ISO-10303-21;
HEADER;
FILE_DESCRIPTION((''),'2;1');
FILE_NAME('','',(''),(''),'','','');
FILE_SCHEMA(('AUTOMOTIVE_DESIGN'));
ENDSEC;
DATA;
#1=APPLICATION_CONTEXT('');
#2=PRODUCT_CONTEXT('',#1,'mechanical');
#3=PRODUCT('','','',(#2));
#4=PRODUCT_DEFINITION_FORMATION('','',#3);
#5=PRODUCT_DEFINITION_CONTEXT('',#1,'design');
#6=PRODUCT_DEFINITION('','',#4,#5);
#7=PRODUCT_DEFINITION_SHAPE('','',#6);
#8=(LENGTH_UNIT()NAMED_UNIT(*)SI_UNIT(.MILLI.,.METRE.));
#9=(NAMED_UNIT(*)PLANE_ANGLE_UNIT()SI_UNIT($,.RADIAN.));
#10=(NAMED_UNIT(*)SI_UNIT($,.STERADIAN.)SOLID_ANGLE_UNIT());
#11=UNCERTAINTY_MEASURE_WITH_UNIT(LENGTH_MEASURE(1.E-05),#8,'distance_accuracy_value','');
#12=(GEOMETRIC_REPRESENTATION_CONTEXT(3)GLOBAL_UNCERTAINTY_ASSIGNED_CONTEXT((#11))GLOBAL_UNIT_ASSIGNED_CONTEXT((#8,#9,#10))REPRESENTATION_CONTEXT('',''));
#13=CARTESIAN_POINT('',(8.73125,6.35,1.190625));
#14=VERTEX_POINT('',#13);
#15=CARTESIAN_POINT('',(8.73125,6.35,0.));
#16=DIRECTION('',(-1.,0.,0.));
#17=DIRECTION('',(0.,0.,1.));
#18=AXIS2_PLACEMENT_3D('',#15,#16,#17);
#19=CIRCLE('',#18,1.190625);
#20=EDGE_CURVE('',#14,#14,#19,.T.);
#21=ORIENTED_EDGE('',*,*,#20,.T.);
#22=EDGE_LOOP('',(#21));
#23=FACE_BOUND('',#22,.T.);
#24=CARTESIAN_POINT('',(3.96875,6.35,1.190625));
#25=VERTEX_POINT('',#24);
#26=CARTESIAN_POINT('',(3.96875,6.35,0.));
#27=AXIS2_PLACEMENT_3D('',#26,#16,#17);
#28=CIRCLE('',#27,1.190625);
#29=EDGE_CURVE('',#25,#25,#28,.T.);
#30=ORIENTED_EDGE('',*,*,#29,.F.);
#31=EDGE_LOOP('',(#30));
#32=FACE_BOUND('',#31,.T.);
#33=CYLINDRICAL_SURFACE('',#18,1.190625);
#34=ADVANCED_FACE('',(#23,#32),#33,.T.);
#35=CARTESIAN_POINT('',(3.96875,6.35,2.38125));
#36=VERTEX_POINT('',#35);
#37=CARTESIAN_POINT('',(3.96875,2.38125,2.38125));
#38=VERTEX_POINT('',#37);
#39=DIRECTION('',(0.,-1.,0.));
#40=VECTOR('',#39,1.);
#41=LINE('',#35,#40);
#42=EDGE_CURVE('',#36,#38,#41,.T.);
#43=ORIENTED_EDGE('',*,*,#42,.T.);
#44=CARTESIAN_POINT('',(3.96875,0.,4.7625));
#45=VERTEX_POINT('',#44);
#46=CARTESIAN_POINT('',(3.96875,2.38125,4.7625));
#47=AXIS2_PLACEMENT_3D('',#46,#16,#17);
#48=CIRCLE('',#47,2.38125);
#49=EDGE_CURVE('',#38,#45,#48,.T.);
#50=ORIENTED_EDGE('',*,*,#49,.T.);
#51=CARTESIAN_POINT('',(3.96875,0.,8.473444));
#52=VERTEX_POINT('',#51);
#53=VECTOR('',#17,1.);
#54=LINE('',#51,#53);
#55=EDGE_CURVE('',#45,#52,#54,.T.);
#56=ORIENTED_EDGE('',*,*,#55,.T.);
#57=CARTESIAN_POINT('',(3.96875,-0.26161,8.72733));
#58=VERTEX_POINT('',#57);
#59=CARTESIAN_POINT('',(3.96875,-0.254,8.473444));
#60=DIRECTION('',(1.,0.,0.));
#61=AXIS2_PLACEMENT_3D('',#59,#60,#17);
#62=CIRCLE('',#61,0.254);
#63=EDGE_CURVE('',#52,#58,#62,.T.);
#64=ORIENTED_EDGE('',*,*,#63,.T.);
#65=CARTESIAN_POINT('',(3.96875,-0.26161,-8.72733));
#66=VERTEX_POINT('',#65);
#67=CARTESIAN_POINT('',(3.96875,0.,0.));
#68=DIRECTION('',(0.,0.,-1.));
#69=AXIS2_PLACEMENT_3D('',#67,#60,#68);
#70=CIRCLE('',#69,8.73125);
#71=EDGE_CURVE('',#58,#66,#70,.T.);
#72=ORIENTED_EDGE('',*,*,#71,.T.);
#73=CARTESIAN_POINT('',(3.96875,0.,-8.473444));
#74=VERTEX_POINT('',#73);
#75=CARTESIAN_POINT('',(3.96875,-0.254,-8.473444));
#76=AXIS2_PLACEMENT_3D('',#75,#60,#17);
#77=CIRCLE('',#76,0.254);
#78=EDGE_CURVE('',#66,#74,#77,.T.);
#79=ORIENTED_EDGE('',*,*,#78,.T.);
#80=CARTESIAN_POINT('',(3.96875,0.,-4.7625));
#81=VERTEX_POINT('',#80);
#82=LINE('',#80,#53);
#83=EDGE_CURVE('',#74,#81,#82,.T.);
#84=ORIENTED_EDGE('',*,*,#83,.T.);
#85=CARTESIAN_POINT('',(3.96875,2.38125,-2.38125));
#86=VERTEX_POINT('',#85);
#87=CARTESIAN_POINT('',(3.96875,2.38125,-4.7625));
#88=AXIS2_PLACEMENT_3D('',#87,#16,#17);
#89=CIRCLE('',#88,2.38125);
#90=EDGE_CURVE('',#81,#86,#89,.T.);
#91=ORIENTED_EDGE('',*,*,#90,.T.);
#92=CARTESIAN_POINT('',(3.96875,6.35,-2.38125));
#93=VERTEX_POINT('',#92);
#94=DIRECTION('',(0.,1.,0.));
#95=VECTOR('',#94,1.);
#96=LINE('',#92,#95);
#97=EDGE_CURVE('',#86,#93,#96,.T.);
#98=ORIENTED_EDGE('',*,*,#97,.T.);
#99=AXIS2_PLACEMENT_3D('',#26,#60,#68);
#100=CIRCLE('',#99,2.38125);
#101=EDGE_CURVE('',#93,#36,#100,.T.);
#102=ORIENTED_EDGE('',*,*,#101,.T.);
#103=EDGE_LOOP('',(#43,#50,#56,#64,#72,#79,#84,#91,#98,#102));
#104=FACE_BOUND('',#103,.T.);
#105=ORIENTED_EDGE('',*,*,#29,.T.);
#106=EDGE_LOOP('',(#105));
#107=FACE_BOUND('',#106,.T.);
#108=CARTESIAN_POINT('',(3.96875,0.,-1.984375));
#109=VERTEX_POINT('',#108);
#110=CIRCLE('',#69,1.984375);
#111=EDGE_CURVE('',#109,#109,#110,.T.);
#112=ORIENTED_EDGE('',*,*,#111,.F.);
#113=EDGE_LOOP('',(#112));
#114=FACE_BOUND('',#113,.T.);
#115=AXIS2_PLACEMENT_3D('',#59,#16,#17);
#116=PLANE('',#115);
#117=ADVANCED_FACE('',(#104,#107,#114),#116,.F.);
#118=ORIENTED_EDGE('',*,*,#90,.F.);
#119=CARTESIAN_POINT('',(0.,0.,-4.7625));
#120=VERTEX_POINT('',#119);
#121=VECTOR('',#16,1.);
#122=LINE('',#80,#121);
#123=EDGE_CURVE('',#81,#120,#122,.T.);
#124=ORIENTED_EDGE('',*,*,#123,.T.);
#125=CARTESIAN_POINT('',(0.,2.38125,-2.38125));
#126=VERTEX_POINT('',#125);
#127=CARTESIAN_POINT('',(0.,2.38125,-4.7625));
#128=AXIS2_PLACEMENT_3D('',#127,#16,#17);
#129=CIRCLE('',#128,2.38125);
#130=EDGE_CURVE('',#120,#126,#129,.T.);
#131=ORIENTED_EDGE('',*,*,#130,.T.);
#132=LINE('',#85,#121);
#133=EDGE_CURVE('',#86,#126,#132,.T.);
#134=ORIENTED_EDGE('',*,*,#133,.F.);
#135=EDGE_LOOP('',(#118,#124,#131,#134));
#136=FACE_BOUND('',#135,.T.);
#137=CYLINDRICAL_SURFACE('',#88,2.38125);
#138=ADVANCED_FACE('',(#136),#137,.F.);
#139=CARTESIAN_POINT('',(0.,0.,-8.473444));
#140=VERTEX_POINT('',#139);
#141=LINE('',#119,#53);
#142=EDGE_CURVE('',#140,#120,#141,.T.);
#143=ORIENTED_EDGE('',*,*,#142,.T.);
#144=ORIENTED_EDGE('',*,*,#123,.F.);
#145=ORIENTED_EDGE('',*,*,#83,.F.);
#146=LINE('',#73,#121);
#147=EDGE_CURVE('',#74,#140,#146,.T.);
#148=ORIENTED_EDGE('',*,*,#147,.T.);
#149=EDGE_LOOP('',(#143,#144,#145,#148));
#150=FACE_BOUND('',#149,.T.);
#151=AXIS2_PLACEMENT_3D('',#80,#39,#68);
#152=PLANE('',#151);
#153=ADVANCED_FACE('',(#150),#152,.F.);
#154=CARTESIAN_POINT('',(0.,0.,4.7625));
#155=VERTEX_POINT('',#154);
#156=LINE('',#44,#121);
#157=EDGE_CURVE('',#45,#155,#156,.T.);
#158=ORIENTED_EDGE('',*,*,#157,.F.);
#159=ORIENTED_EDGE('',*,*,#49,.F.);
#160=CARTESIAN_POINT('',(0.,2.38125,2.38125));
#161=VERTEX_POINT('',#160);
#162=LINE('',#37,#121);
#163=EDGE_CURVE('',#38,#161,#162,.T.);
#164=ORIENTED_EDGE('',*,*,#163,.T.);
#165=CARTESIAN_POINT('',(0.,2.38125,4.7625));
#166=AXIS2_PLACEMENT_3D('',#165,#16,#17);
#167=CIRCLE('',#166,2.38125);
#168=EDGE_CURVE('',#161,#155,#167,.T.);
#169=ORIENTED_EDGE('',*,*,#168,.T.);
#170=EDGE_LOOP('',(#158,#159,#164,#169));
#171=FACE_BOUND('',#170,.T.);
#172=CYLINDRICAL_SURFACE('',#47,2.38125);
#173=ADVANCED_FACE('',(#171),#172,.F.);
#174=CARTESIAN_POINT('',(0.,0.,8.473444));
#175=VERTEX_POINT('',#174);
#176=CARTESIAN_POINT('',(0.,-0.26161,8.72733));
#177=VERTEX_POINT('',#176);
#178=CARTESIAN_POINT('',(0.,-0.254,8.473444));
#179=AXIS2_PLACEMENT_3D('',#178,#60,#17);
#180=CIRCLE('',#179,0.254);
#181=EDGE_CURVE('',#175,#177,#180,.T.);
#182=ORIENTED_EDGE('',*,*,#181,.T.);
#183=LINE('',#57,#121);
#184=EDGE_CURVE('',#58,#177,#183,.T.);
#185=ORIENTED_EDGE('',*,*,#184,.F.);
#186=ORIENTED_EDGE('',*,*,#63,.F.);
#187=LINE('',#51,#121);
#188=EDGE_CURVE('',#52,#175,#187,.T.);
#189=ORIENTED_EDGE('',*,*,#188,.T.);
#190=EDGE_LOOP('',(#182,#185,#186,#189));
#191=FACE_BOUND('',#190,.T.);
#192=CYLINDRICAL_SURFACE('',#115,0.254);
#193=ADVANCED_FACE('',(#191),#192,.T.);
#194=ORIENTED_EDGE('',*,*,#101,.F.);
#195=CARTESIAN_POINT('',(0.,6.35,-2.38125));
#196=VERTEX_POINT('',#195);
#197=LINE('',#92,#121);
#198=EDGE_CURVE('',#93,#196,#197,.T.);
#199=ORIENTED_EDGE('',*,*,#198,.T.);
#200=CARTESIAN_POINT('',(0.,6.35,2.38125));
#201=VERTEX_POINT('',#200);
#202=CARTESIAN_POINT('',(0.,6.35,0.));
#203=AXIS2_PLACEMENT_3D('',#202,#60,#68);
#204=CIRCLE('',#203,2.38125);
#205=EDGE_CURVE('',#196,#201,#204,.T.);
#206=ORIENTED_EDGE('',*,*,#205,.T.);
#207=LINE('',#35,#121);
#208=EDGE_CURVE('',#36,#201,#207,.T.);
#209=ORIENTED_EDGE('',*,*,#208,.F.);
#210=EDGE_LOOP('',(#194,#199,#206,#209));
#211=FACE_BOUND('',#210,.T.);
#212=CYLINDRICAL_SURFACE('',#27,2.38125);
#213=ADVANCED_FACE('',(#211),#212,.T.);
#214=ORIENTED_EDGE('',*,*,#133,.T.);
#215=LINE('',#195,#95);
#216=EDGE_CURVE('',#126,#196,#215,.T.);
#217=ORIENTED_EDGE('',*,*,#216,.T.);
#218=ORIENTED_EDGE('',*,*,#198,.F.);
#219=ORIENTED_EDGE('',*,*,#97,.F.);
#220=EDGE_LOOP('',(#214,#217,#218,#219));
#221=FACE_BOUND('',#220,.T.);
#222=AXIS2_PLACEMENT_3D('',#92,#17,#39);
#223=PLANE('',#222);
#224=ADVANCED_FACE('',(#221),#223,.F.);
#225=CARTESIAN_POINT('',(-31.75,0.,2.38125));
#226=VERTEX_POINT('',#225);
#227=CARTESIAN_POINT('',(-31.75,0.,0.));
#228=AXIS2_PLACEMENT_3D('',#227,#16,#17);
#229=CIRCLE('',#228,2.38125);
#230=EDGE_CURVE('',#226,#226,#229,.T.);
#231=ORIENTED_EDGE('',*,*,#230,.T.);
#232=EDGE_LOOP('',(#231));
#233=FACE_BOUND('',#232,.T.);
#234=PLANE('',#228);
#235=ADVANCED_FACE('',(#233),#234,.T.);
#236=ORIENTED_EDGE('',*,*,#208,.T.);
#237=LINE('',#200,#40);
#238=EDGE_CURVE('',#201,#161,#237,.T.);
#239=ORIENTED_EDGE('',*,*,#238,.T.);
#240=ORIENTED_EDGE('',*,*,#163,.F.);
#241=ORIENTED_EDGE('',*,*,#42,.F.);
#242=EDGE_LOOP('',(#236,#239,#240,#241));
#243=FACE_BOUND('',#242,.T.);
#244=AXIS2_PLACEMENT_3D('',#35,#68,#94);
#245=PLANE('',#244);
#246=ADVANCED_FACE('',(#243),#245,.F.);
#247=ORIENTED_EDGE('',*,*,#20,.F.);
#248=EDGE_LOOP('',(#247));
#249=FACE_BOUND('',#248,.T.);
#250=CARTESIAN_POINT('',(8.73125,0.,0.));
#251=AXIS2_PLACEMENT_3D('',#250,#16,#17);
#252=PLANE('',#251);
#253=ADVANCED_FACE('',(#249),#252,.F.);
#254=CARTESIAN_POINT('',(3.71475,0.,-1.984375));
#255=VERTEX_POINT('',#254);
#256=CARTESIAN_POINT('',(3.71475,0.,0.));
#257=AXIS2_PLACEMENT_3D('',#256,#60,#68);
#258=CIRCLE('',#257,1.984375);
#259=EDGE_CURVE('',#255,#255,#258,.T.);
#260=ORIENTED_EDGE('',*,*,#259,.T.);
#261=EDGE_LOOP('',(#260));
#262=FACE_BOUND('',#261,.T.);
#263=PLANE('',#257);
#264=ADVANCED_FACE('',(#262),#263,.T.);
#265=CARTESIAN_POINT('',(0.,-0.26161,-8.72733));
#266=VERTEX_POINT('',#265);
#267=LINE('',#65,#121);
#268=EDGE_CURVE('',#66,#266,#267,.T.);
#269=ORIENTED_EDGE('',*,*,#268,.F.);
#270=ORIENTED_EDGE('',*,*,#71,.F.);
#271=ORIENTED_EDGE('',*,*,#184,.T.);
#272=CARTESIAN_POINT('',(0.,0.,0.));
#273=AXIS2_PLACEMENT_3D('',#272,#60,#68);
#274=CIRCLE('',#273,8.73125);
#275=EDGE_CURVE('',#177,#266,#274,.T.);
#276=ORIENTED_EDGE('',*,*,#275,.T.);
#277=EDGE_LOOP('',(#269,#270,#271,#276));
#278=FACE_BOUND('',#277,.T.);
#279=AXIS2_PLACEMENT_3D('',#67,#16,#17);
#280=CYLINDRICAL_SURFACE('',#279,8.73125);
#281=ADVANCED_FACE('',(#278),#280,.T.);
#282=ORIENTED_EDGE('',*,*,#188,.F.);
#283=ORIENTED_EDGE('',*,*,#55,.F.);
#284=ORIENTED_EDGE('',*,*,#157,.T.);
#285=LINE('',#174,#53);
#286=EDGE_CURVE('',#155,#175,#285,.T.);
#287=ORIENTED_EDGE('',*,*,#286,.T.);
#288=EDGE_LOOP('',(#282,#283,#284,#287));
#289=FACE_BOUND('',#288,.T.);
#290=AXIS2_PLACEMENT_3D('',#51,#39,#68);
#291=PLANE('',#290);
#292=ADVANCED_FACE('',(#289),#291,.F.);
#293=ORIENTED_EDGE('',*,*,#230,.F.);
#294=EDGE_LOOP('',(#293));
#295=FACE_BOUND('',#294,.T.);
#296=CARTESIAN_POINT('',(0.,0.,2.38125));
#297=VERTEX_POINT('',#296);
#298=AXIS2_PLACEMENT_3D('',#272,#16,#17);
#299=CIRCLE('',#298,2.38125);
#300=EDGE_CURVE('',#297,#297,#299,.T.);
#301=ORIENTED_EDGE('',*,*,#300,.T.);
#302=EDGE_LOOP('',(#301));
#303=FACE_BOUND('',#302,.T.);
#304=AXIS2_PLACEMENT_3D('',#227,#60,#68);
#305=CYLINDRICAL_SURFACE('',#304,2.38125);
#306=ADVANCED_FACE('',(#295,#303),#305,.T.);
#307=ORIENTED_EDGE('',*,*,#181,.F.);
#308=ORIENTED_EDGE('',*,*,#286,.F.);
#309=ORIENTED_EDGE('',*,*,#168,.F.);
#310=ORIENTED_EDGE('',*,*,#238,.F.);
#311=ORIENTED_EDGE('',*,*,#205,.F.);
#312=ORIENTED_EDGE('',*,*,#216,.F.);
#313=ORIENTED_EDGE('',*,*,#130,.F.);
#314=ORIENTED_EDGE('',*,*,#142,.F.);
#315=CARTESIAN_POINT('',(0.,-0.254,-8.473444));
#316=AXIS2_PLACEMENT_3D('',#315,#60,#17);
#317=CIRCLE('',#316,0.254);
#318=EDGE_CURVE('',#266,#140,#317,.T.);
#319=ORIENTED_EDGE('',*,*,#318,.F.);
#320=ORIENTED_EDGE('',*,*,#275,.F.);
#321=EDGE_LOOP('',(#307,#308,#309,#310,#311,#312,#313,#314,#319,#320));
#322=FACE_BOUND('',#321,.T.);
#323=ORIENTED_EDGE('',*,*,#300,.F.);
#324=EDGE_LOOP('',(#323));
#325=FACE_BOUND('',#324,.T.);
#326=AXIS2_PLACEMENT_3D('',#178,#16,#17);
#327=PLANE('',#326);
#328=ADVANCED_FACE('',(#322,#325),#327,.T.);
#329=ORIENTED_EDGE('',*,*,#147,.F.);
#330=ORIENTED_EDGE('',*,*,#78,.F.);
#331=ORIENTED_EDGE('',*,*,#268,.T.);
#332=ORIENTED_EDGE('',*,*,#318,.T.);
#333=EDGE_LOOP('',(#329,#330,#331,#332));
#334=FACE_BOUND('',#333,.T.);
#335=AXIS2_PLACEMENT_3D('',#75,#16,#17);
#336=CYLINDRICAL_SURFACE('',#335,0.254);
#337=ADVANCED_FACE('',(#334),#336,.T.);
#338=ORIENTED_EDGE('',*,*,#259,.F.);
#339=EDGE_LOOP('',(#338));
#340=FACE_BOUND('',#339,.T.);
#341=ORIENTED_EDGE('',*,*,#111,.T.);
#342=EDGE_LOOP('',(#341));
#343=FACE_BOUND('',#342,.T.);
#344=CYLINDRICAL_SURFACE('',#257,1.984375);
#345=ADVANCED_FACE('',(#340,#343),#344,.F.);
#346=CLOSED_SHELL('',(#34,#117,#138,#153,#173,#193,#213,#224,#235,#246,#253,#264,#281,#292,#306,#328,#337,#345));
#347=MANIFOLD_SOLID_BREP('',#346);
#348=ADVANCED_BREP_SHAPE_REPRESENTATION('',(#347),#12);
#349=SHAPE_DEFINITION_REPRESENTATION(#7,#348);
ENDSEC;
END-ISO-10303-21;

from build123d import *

# Parameters (mm, degrees)
BOSS_EXTRUDE1_DEPTH = 3.96875
SKETCH4_R           = 2.38125
BOSS_EXTRUDE2_DEPTH = 31.75
SKETCH4_3_R         = 1.190625
BOSS_EXTRUDE3_DEPTH = 8.73125
SKETCH5_R           = 1.984375
CUT_EXTRUDE1_DEPTH  = 0.254


with BuildPart() as part:
    # Sketch3 → Boss-Extrude1 (new body)
    with BuildSketch(Plane(origin=(0, 0, 0), x_dir=(0, 0, -1), z_dir=(1, 0, 0))):
        with BuildLine():
            Line((-2.38125, 6.35), (-2.38125, 2.38125))
            ThreePointArc((-2.38125, 2.38125), (-3.078701977, 0.697451977), (-4.7625, 0))
            Line((-4.7625, 0), (-8.473443902, 0))
            ThreePointArc((-8.473443902, 0), (-8.655719879, -0.077106054), (-8.727329862, -0.261610487))
            ThreePointArc((-8.727329862, -0.261610487), (0, -8.73125), (8.727329862, -0.261610487))
            ThreePointArc((8.727329862, -0.261610487), (8.655719879, -0.077106054), (8.473443902, 0))
            Line((8.473443902, 0), (4.7625, 0))
            ThreePointArc((4.7625, 0), (3.078701977, 0.697451977), (2.38125, 2.38125))
            Line((2.38125, 2.38125), (2.38125, 6.35))
            ThreePointArc((2.38125, 6.35), (0, 8.73125), (-2.38125, 6.35))
        make_face()
    extrude(amount=BOSS_EXTRUDE1_DEPTH)

    # Sketch4 → Boss-Extrude2 (add)
    with BuildSketch(Plane.ZY):
        Circle(SKETCH4_R)
    extrude(amount=BOSS_EXTRUDE2_DEPTH)

    # Sketch4<3> → Boss-Extrude3 (add)
    with BuildSketch(Plane.ZY):
        with Locations((0, 6.35)):
            Circle(SKETCH4_3_R)
    extrude(amount=-BOSS_EXTRUDE3_DEPTH)

    # Sketch5 → Cut-Extrude1 (cut)
    with BuildSketch(Plane(origin=(3.96875, 0, 0), x_dir=(0, 0, -1), z_dir=(1, 0, 0))):
        Circle(SKETCH5_R)
    extrude(amount=-CUT_EXTRUDE1_DEPTH, mode=Mode.SUBTRACT)


solid = part.part
